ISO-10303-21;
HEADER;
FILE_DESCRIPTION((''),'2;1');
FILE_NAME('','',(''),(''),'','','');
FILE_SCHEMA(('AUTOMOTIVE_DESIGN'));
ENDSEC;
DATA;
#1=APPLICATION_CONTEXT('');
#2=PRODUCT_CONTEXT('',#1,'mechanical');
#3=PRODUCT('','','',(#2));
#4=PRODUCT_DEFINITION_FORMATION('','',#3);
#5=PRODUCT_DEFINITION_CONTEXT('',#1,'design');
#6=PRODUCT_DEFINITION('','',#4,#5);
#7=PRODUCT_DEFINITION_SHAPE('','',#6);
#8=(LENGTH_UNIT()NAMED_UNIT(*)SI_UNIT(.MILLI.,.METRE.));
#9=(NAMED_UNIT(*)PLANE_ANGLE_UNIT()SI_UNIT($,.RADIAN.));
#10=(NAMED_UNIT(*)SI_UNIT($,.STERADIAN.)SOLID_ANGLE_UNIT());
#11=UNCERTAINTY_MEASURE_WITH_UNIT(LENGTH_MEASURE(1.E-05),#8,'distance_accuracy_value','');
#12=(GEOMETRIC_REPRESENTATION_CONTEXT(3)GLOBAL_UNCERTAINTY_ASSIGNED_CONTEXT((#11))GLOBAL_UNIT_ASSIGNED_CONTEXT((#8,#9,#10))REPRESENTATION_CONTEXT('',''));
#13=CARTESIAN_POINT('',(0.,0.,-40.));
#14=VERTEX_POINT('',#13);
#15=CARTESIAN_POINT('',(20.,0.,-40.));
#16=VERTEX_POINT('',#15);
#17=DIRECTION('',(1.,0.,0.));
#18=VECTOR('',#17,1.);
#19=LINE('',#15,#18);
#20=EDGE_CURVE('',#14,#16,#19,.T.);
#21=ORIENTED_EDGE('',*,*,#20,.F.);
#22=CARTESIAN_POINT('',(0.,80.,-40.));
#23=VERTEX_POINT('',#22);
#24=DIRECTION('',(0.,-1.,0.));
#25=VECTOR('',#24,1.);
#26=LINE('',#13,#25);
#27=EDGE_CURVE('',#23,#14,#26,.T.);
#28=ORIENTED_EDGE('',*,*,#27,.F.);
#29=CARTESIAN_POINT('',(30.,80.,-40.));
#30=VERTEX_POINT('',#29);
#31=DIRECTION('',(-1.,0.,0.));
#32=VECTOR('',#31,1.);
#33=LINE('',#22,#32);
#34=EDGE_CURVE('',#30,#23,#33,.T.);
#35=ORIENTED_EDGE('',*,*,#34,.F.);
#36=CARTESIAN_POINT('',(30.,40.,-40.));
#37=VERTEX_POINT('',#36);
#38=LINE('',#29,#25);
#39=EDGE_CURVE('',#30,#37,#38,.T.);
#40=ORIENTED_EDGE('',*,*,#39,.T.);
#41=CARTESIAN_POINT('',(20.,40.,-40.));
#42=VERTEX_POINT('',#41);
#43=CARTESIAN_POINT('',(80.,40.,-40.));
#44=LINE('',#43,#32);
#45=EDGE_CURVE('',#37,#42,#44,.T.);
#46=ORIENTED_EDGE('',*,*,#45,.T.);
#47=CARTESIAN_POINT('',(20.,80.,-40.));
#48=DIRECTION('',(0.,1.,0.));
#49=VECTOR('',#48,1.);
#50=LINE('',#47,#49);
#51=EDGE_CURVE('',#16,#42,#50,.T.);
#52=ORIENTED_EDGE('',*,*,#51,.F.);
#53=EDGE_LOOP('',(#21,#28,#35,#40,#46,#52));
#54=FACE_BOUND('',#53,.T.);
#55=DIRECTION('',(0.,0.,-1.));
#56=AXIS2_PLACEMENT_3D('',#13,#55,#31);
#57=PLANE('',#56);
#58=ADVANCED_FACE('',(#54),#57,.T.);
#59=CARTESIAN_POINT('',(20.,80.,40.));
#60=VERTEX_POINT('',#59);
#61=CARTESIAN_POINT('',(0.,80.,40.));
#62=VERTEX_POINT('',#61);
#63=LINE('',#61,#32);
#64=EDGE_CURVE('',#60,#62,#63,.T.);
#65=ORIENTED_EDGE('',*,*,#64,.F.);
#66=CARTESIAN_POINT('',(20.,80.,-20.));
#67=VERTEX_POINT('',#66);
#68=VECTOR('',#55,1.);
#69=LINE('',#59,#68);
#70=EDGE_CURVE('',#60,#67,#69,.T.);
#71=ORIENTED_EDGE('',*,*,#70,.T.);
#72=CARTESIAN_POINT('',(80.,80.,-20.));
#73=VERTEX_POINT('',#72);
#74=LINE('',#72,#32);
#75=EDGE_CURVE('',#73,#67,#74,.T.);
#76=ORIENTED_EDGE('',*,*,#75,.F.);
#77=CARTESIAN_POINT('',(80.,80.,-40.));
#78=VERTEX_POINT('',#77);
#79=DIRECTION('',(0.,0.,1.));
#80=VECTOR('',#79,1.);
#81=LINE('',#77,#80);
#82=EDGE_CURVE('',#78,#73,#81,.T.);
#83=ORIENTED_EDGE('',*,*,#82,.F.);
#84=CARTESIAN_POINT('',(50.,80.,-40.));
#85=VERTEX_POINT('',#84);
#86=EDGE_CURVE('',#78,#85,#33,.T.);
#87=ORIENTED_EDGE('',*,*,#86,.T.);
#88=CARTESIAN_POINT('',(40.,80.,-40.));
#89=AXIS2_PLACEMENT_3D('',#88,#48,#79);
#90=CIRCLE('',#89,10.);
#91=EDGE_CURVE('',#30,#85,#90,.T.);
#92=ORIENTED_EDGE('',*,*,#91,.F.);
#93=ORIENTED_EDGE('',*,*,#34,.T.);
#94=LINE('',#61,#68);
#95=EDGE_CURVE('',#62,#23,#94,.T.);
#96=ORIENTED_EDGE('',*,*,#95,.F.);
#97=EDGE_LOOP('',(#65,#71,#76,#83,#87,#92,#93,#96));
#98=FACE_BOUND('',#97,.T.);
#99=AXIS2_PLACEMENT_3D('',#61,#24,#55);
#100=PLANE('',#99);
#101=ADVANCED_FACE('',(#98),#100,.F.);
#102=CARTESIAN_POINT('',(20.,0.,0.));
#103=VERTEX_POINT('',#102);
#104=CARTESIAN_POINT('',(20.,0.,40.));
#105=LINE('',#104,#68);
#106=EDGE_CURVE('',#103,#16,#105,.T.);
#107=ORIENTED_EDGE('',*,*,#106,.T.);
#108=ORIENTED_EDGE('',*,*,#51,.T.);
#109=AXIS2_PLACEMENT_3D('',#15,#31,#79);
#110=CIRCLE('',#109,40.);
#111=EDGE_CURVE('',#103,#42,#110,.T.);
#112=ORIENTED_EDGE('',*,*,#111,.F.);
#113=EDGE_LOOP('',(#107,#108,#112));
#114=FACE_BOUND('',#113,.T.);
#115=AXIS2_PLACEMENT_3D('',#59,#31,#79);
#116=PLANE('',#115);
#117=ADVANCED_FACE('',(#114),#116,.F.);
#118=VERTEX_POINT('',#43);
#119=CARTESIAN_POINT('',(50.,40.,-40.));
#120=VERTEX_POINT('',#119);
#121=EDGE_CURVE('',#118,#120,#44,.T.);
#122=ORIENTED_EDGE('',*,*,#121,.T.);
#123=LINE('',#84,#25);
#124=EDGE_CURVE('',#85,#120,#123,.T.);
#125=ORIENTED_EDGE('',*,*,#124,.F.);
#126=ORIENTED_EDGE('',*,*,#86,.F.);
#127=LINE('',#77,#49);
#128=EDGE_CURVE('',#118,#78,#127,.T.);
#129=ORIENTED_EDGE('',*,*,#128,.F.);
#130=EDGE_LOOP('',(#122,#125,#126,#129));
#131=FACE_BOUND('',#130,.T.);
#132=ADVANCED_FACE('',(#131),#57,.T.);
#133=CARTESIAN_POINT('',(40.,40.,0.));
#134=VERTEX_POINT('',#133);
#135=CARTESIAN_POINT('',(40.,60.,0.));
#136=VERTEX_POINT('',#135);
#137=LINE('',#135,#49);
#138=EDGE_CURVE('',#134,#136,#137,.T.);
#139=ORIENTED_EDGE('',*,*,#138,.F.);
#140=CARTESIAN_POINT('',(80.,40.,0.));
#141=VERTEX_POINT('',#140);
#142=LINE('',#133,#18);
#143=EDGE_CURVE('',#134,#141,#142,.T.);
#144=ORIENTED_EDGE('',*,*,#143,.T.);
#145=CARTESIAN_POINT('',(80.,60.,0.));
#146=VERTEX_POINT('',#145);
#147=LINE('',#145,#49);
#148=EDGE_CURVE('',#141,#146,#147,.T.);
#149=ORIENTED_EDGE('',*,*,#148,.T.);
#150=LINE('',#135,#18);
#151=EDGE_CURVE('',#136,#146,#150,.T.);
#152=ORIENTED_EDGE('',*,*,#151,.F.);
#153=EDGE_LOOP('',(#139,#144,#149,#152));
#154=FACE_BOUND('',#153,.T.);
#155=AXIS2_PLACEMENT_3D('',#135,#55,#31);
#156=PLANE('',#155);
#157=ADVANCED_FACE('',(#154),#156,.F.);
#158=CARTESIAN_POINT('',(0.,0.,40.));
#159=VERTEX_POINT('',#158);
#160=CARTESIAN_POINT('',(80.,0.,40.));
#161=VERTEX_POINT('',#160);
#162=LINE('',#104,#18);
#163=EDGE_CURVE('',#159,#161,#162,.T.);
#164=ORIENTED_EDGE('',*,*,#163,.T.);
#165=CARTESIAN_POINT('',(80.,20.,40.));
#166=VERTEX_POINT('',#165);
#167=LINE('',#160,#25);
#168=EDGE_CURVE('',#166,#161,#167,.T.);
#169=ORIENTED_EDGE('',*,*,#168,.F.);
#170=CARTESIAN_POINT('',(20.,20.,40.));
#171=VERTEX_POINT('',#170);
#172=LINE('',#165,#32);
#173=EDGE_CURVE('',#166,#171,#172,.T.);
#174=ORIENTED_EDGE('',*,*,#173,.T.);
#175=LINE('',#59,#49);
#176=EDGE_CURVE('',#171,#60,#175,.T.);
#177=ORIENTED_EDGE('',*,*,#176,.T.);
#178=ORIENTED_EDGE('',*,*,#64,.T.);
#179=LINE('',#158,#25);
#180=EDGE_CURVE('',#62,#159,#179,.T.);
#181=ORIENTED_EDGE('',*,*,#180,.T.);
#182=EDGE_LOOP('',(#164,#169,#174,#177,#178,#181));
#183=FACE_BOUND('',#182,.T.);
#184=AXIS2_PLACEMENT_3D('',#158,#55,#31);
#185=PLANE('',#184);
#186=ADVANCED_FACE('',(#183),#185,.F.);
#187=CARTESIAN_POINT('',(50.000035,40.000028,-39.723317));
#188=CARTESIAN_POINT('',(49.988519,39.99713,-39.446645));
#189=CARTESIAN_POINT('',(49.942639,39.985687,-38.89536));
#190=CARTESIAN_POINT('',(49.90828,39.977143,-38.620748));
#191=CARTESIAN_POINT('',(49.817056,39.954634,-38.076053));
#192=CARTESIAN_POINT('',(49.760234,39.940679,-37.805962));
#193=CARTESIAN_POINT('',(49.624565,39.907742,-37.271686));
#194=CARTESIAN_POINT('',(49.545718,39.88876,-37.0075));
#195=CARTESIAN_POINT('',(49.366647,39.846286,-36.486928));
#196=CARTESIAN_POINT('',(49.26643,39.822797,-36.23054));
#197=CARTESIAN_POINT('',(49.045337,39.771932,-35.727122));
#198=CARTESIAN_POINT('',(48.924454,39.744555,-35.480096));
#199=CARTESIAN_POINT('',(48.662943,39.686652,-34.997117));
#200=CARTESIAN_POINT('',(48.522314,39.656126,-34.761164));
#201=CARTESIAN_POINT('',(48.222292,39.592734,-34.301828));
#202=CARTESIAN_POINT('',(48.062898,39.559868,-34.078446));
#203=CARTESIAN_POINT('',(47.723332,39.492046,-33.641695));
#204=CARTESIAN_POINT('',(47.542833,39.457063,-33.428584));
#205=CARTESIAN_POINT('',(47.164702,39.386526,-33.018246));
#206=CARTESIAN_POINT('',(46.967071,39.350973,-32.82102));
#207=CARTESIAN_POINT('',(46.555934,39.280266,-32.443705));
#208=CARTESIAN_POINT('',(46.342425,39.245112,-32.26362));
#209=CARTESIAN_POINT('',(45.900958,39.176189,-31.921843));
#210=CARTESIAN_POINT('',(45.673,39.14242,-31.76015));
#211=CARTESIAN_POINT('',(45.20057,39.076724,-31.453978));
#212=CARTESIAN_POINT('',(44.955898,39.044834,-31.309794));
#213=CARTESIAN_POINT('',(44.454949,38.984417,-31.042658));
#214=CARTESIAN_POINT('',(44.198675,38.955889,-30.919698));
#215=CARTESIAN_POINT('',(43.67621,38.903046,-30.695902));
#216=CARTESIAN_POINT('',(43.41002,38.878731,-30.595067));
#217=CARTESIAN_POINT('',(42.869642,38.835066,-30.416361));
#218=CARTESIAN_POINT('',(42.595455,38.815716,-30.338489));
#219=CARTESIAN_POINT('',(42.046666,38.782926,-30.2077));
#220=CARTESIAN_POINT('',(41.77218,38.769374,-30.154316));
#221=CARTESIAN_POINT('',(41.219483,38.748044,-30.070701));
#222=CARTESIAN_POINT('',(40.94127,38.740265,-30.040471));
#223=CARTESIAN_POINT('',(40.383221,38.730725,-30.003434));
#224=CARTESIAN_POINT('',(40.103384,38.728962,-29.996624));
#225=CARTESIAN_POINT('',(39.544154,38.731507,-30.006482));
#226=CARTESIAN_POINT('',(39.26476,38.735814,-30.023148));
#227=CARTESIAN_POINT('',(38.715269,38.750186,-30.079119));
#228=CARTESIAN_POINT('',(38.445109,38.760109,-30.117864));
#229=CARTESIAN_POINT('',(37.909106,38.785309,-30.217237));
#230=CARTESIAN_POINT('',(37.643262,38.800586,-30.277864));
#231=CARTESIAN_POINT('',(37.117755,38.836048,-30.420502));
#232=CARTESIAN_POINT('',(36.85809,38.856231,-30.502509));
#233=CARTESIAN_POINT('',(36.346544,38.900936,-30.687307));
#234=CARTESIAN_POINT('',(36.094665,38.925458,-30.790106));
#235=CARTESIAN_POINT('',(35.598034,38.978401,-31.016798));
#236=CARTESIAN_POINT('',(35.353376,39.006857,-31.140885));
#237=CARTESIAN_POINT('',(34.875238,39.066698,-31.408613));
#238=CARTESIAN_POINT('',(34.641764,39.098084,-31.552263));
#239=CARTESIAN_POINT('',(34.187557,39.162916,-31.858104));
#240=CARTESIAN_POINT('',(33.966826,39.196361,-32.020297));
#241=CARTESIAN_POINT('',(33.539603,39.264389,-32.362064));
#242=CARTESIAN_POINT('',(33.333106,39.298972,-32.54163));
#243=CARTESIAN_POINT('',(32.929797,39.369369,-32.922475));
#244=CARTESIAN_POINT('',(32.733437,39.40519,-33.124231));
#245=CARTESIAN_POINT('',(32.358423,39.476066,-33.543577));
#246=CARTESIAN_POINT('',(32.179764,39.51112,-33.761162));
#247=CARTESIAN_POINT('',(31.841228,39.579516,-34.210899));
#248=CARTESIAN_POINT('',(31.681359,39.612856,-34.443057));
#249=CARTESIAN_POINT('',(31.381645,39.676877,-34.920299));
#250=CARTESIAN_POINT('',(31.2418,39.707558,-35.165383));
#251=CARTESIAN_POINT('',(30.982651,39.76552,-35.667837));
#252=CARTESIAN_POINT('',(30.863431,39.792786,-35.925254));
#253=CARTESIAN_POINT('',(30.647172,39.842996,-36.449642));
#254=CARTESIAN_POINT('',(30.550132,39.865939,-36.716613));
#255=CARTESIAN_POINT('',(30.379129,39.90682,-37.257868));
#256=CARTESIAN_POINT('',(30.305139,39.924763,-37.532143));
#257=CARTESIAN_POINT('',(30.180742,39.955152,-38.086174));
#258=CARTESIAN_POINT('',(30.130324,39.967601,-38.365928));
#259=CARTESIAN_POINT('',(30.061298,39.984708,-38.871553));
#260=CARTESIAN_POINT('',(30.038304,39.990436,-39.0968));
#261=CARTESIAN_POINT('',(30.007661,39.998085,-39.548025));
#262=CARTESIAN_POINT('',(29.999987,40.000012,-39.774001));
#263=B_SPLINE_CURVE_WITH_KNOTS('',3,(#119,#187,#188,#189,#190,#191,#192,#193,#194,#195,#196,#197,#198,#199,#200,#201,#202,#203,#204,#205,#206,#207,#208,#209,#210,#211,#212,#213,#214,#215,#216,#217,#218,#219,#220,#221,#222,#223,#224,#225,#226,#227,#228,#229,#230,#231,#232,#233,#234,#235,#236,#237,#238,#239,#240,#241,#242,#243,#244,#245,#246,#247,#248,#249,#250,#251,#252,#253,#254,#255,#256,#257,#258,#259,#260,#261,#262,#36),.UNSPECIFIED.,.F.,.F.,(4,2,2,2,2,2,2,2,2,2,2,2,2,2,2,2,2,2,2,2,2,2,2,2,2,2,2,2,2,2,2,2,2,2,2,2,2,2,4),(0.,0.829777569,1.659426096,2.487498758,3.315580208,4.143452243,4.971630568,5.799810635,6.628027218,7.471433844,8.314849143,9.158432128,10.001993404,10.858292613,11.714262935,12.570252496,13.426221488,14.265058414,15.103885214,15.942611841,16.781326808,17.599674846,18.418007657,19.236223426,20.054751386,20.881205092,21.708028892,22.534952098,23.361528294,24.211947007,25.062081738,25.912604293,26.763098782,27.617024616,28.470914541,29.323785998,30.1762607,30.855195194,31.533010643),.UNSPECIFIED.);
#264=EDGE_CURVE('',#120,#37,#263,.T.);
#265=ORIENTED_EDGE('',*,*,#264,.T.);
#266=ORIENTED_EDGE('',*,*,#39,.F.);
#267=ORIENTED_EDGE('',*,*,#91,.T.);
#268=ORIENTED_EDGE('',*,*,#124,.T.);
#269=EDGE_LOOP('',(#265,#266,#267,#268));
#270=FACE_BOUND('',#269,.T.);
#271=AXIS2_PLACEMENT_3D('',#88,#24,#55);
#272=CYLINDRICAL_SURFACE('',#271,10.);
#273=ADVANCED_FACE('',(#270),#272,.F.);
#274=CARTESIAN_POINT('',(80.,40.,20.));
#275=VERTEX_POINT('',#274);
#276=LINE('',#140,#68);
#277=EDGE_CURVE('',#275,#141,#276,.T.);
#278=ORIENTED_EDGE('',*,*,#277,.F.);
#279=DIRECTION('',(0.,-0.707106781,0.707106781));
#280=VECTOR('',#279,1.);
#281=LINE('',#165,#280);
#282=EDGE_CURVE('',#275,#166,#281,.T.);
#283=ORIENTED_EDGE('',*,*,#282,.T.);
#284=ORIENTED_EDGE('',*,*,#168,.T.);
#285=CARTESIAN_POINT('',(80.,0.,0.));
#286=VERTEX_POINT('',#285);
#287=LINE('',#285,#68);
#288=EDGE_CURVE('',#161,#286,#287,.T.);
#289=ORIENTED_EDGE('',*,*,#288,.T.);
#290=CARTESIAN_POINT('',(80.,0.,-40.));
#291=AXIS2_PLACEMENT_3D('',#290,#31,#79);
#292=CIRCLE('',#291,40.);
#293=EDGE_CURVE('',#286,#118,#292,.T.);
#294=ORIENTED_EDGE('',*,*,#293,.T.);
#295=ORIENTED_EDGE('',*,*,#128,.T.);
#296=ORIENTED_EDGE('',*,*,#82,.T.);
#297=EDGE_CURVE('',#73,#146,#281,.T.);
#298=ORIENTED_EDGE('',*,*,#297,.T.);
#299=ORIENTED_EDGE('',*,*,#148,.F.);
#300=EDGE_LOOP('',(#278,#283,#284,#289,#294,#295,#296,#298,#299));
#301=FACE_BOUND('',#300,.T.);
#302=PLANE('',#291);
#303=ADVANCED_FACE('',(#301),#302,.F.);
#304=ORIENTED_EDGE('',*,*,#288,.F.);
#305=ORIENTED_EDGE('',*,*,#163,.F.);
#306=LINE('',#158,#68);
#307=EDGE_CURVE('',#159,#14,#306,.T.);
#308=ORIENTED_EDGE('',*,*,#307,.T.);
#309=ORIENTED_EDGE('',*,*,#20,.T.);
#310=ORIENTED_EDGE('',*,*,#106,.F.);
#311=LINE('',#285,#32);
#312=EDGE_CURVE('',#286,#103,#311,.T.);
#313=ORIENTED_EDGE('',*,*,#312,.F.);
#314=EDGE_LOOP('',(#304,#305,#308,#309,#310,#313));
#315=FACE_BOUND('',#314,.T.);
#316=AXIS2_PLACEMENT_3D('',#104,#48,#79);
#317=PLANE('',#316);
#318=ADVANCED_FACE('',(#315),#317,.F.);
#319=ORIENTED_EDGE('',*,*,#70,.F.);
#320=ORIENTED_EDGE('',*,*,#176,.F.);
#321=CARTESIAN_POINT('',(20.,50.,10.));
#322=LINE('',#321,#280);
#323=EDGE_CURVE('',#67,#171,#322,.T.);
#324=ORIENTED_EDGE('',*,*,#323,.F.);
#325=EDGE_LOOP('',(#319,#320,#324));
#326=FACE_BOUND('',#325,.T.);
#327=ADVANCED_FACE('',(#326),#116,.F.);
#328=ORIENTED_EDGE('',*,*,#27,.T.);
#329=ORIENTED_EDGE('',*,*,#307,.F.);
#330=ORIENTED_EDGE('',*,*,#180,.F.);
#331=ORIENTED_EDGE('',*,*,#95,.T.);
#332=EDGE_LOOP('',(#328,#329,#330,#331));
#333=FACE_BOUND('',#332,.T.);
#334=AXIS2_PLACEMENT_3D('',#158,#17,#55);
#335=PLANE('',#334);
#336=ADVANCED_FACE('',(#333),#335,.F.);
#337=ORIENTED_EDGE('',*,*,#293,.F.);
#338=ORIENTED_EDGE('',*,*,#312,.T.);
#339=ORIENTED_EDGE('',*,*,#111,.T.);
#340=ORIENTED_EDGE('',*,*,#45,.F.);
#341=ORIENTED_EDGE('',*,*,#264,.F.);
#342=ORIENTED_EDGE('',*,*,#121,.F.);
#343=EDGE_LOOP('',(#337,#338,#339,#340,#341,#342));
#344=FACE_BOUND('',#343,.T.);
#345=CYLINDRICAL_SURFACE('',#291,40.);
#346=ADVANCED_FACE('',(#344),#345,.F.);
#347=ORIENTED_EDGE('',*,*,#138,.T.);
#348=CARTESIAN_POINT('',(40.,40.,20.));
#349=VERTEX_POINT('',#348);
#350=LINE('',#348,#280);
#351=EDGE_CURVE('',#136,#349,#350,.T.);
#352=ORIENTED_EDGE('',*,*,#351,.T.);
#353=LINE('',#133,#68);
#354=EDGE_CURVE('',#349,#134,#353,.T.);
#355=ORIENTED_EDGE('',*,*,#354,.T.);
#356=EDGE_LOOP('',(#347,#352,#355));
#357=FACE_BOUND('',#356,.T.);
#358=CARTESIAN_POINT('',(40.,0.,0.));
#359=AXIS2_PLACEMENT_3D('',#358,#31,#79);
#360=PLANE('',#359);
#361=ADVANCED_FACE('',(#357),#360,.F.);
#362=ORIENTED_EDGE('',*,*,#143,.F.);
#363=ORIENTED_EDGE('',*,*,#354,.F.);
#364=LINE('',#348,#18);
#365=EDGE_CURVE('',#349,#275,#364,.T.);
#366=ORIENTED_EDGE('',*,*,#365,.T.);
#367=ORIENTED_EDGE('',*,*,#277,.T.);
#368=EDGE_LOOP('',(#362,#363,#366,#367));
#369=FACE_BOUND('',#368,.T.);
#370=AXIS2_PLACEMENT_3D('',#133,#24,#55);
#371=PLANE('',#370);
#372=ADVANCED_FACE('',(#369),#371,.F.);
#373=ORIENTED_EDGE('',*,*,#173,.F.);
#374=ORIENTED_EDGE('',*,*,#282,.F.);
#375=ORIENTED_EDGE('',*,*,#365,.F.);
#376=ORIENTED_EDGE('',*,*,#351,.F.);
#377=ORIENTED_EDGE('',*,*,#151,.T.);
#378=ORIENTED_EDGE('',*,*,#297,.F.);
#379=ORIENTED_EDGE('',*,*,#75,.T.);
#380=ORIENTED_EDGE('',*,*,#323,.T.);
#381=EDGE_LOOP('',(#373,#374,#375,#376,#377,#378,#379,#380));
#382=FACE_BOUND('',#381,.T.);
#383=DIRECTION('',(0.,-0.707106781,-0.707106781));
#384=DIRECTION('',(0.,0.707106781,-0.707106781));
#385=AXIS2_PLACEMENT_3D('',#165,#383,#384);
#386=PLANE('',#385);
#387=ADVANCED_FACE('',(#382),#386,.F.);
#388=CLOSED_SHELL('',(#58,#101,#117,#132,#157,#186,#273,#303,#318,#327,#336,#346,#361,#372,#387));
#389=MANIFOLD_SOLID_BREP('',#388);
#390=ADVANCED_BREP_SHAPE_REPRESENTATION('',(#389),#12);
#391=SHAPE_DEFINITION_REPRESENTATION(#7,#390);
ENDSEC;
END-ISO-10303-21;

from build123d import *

# Parameters (mm, degrees)
SKETCH1_W           = 20
SKETCH1_H           = 80
BOSS_EXTRUDE1_DEPTH = 40
BOSS_EXTRUDE2_DEPTH = 80
CUT_EXTRUDE2_DEPTH  = 40
CUT_EXTRUDE4_DEPTH  = 81


with BuildPart() as part:
    # Sketch1 → Boss-Extrude1 (new body, symmetric)
    with BuildSketch(Plane.XY):
        with Locations((10, 40)):
            Rectangle(SKETCH1_W, SKETCH1_H)
    extrude(amount=BOSS_EXTRUDE1_DEPTH, both=True)

    # Sketch2 → Boss-Extrude2 (add)
    with BuildSketch(Plane(origin=(0, 0, 0), x_dir=(0, 0, -1), z_dir=(1, 0, 0))):
        with BuildLine():
            Line((40, 80), (20, 80))
            Line((20, 80), (-40, 20))
            Line((-40, 20), (-40, 0))
            Line((-40, 0), (0, 0))
            ThreePointArc((0, 0), (11.715728753, 28.284271247), (40, 40))
            Line((40, 40), (40, 80))
        make_face()
    extrude(amount=BOSS_EXTRUDE2_DEPTH)

    # Sketch4 → Cut-Extrude2 (cut)
    with BuildSketch(Plane(origin=(80, 0, 0), x_dir=(0, 0, -1), z_dir=(1, 0, 0))):
        Polygon((0, 60), (0, 40), (-20, 40), align=None)
    extrude(amount=-CUT_EXTRUDE2_DEPTH, mode=Mode.SUBTRACT)

    # Sketch5 → Cut-Extrude4 (cut, through all)
    with BuildSketch(Plane(origin=(0, 0, 0), x_dir=(1, 0, 0), z_dir=(0, 1, 0))):
        with BuildLine():
            Line((40, 40), (50, 40))
            ThreePointArc((50, 40), (40, 30), (30, 40))
            Line((30, 40), (40, 40))
        make_face()
    extrude(amount=CUT_EXTRUDE4_DEPTH, mode=Mode.SUBTRACT)


solid = part.part
